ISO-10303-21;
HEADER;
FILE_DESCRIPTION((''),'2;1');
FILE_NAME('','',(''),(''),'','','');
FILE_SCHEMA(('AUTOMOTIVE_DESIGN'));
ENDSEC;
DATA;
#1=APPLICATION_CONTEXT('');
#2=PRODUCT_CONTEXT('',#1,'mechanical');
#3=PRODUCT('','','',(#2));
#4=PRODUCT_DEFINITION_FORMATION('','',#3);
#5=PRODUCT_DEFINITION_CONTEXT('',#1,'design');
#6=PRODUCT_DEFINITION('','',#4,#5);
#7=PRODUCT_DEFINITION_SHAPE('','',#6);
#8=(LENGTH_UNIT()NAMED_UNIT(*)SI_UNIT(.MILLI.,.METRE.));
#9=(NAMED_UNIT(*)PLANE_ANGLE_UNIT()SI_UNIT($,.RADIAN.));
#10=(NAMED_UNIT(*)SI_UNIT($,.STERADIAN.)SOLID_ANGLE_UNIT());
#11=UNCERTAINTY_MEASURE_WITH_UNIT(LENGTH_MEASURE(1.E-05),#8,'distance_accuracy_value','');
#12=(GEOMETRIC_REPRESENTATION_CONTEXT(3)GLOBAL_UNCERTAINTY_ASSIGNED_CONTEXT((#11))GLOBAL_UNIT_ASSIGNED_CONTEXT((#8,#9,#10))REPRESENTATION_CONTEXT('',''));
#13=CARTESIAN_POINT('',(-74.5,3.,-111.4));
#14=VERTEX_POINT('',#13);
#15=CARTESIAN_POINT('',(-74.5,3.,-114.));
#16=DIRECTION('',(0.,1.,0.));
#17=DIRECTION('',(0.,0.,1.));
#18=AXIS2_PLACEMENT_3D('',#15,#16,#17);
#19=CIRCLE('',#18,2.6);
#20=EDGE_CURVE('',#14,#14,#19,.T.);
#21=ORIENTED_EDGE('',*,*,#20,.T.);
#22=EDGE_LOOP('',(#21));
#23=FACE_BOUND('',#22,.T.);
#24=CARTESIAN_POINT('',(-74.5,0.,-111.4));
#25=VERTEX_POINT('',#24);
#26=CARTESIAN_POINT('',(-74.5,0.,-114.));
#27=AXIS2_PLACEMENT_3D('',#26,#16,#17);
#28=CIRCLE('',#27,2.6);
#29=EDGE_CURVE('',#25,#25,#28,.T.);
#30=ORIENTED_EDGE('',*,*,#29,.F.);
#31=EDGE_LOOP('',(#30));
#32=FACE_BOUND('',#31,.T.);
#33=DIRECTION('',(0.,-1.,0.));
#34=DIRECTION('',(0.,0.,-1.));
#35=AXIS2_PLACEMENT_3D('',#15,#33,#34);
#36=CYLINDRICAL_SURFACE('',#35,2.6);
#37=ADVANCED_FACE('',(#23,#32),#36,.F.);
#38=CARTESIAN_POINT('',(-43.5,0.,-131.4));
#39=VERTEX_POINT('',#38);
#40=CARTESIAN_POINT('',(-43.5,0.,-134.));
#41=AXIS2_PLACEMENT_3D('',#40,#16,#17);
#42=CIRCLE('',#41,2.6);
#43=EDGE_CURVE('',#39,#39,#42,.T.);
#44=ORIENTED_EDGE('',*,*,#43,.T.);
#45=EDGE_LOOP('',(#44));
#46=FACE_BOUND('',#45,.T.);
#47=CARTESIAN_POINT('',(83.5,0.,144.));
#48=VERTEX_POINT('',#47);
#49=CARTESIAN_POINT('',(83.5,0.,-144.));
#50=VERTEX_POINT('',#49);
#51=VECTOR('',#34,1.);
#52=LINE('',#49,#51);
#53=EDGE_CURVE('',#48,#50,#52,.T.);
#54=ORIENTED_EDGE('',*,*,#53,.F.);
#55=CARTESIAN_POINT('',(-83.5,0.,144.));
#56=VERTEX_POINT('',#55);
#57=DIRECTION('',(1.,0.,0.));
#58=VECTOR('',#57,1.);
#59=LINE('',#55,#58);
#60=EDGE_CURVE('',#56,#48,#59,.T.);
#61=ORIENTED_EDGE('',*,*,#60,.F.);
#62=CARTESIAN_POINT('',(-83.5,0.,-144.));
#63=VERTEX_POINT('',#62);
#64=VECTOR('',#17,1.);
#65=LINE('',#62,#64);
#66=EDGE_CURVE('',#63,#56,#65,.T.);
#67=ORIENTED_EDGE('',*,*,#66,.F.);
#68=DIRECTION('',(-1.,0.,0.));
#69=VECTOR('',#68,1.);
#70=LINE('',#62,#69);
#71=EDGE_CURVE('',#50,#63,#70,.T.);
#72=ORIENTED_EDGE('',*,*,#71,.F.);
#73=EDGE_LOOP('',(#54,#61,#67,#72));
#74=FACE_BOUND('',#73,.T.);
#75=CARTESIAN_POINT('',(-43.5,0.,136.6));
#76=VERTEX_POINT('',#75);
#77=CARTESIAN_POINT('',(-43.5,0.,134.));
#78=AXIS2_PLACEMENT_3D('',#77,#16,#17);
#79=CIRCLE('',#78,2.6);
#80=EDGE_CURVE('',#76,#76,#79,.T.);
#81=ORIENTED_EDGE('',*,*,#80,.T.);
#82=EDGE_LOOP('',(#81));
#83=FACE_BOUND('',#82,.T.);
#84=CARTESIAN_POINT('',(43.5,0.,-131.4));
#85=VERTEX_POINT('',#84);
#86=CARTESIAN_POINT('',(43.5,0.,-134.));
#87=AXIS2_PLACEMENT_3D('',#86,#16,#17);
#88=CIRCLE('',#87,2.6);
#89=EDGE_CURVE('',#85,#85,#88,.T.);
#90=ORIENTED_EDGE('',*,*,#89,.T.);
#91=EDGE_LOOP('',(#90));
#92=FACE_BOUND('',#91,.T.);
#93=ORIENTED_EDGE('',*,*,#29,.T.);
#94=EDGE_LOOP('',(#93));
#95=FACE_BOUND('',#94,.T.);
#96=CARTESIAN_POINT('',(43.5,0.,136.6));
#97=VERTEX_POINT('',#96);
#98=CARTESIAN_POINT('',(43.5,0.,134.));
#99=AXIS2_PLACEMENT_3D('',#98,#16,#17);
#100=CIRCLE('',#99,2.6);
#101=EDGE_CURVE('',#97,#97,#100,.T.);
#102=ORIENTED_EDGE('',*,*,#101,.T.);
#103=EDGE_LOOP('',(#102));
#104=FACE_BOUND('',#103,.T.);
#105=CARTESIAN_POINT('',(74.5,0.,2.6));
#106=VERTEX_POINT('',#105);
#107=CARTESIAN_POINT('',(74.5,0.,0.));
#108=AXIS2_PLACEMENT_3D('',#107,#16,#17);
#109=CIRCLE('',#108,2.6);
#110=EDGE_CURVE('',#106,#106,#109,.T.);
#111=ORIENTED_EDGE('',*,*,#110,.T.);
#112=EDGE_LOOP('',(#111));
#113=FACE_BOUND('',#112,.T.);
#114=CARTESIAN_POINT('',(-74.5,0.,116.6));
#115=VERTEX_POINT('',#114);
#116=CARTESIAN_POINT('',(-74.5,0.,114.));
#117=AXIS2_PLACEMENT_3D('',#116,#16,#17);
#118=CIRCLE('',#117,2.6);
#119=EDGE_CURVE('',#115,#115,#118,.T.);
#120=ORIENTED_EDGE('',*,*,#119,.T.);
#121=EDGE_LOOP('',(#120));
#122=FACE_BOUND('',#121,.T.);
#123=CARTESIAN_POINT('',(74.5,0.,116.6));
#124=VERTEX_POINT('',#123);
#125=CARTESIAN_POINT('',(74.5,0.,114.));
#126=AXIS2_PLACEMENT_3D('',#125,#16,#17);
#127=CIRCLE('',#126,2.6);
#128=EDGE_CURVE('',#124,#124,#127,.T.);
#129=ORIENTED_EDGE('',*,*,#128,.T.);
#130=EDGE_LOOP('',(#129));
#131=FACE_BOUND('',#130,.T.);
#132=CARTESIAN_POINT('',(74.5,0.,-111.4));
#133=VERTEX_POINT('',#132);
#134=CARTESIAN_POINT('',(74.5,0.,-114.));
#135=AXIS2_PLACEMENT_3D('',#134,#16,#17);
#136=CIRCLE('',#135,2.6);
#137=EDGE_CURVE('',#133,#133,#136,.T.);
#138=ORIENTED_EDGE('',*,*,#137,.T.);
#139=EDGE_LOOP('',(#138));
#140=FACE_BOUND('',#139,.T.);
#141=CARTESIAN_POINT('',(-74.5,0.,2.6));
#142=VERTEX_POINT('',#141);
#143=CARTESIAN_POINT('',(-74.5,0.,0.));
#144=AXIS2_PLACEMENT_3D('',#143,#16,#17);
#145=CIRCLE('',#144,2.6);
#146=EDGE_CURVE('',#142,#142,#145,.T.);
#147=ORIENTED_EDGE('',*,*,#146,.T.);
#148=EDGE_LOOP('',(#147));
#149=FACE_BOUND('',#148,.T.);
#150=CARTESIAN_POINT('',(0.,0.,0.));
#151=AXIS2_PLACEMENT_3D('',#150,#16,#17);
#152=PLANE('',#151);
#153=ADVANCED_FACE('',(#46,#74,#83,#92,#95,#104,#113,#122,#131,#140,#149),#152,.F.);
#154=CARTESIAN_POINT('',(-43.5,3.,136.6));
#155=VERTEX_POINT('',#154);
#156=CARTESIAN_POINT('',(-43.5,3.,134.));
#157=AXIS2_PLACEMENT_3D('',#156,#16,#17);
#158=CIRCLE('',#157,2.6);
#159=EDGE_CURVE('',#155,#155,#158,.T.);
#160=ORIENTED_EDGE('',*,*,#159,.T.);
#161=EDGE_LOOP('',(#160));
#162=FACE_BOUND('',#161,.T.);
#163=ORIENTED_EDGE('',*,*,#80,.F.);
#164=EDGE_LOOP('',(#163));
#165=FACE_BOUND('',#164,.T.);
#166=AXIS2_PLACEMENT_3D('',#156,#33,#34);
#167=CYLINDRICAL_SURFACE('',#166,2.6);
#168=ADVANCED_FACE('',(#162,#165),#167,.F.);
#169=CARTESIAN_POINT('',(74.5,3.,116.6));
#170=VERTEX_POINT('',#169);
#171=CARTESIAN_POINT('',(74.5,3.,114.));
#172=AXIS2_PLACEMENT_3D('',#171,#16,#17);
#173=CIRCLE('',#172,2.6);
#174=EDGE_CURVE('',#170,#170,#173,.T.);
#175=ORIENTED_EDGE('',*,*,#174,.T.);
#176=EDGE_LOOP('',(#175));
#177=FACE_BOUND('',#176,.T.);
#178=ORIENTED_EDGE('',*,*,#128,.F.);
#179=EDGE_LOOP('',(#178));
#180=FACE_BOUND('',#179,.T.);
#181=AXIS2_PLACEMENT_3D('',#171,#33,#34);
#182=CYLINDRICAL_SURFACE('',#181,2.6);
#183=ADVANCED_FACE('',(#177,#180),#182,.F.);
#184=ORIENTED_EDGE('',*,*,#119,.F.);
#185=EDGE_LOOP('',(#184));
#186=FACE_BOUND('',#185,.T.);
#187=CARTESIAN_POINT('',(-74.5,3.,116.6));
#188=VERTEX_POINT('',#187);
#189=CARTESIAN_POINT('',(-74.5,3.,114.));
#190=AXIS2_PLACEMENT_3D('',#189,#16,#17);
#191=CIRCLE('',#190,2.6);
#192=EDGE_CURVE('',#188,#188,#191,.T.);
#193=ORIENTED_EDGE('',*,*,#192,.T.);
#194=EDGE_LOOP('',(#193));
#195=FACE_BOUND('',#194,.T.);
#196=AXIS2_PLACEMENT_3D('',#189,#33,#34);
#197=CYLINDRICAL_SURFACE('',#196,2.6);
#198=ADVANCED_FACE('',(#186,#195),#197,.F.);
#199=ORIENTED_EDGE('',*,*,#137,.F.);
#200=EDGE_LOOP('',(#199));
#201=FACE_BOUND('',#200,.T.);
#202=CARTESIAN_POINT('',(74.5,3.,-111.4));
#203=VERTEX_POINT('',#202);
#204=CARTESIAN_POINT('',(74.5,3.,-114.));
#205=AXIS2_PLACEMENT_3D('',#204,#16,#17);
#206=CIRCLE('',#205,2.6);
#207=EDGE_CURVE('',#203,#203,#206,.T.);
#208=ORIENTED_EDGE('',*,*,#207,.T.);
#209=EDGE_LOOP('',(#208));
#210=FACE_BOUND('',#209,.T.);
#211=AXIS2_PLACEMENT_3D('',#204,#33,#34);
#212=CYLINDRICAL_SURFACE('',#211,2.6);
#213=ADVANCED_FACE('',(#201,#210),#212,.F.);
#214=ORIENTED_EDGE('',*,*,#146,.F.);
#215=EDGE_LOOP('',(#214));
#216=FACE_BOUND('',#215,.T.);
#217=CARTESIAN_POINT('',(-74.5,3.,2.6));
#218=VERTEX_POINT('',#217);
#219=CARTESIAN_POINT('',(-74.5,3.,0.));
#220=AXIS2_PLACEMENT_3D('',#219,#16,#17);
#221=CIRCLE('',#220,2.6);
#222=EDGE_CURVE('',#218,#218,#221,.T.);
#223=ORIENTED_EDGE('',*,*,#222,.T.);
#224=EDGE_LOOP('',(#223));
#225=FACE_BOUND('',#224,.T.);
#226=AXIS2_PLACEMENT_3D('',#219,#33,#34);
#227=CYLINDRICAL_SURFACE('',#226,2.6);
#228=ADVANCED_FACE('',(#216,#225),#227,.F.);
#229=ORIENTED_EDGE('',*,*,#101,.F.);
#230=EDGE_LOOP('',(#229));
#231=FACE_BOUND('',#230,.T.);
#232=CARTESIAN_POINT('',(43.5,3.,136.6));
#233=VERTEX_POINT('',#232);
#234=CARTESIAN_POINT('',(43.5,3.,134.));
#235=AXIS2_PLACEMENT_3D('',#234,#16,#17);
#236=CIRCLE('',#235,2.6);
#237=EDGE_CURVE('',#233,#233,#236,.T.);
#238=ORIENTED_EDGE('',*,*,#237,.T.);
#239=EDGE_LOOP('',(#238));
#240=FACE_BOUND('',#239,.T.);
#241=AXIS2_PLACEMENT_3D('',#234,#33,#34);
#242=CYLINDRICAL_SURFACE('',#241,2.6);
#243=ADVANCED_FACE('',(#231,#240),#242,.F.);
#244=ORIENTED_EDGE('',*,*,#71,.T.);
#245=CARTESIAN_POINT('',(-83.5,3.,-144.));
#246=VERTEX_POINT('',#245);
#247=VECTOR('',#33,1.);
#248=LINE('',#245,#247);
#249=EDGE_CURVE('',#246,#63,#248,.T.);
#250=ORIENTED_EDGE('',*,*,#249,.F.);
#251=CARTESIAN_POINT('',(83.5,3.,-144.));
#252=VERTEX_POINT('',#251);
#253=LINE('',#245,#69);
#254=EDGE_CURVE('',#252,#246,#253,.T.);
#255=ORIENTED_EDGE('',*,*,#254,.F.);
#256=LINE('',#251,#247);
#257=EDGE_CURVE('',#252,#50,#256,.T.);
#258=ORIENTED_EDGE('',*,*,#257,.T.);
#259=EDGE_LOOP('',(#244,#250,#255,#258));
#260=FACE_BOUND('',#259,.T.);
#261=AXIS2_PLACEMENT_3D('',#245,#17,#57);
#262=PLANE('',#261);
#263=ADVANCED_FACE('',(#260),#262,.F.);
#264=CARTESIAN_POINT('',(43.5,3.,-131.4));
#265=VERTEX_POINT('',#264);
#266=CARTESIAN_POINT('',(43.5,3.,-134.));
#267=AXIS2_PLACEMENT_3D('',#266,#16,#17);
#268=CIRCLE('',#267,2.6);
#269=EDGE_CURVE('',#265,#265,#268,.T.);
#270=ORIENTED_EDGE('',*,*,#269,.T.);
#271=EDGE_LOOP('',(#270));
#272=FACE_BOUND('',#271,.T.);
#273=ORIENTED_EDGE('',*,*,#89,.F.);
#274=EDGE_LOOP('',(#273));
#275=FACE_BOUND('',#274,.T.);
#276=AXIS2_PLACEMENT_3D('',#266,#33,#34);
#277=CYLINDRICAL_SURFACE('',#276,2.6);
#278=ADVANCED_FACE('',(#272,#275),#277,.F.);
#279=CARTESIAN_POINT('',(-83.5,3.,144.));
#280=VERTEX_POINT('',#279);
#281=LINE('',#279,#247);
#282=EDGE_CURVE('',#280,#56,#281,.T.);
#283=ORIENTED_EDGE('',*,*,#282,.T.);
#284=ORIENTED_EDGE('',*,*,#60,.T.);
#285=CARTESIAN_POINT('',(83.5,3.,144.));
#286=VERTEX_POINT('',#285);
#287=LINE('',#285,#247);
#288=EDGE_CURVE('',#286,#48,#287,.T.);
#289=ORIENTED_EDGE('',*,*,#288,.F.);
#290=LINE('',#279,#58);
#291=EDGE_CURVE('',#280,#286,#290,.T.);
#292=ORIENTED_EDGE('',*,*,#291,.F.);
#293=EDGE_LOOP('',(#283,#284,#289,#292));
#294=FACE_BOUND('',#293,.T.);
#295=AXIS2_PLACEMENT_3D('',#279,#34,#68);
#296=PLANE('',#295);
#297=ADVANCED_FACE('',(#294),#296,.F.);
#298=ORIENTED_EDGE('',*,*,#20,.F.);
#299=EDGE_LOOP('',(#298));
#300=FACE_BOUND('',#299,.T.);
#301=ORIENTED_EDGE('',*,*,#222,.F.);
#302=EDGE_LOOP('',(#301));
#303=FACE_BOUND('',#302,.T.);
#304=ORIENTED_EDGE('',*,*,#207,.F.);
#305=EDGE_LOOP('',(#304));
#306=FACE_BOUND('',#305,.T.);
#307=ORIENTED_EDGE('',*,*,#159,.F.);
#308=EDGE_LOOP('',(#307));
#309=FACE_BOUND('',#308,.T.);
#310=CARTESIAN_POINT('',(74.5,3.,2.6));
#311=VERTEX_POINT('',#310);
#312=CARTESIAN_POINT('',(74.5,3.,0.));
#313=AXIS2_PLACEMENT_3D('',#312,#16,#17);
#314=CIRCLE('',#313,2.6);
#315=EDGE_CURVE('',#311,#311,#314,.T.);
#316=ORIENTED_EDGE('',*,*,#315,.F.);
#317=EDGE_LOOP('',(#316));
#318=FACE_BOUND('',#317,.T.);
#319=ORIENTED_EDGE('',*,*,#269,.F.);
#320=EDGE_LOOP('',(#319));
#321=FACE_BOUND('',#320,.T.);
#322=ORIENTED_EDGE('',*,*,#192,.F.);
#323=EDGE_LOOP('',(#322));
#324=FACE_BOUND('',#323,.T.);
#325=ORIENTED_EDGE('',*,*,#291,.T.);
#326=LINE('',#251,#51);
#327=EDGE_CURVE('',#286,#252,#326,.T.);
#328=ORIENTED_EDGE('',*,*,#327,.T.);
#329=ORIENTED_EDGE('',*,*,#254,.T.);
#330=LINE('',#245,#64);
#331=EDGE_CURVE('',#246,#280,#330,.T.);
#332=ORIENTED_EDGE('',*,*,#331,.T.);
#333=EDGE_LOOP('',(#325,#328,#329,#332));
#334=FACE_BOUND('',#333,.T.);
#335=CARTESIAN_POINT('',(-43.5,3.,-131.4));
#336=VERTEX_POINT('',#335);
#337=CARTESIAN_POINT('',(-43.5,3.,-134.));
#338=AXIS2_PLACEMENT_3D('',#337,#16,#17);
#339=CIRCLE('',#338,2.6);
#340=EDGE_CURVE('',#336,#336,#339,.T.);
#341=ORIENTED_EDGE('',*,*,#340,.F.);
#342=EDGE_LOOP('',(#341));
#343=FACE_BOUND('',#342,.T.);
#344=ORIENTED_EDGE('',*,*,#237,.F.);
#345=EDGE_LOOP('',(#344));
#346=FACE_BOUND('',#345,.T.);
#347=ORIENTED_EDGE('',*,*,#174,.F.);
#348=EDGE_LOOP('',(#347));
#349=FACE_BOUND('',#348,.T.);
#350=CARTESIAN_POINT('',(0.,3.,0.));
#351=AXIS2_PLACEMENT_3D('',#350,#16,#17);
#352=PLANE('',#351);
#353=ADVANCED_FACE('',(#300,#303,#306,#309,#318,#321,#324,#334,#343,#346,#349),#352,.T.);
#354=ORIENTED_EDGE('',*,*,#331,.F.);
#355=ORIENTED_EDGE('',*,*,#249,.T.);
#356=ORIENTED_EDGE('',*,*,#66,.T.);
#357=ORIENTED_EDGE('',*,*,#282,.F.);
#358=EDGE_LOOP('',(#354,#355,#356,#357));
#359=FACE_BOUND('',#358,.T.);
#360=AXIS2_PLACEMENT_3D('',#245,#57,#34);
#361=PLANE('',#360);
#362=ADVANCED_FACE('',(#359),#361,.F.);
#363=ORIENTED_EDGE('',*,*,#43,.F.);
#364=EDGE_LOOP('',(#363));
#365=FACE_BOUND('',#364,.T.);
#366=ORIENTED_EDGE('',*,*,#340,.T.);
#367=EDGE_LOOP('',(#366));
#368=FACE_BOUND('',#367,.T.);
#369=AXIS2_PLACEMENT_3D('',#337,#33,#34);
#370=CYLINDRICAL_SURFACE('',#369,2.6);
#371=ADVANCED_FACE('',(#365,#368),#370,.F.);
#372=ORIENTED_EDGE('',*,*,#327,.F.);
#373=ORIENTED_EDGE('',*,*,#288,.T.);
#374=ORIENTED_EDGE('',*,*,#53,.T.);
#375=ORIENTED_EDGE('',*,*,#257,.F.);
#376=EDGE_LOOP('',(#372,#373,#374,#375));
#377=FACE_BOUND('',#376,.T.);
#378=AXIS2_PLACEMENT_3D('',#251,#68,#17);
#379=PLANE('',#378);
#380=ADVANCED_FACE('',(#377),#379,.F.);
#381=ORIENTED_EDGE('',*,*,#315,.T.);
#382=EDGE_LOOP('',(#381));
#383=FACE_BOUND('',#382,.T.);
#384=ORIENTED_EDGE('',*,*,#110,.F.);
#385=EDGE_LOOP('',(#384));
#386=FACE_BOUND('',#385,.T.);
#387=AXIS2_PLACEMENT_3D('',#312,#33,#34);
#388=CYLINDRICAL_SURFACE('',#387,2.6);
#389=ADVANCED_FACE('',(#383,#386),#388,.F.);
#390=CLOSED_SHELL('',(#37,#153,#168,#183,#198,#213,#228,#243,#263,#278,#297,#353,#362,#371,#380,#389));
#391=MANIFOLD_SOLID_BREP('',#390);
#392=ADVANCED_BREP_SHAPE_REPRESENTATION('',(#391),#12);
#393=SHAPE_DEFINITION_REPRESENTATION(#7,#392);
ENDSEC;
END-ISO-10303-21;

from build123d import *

# Parameters (mm, degrees)
CROQUIS1_W              = 167
CROQUIS1_H              = 288
CROQUIS1_R              = 2.6
SALIENTE_EXTRUIR1_DEPTH = 3


with BuildPart() as part:
    # Croquis1 → Saliente-Extruir1 (new body)
    with BuildSketch(Plane(origin=(0, 0, 0), x_dir=(1, 0, 0), z_dir=(0, 1, 0))):
        Rectangle(CROQUIS1_W, CROQUIS1_H)
        with Locations(Location((-74.5, 114, 0), (0, 0, 270))):
            Circle(CROQUIS1_R, mode=Mode.SUBTRACT)
        with Locations(Location((-74.5, 0, 0), (0, 0, 270))):
            Circle(CROQUIS1_R, mode=Mode.SUBTRACT)
        with Locations(Location((-74.5, -114, 0), (0, 0, 270))):
            Circle(CROQUIS1_R, mode=Mode.SUBTRACT)
        with Locations(Location((74.5, 114, 0), (0, 0, 270))):
            Circle(CROQUIS1_R, mode=Mode.SUBTRACT)
        with Locations(Location((74.5, -114, 0), (0, 0, 270))):
            Circle(CROQUIS1_R, mode=Mode.SUBTRACT)
        with Locations(Location((74.5, 0, 0), (0, 0, 270))):
            Circle(CROQUIS1_R, mode=Mode.SUBTRACT)
        with Locations(Location((-43.5, 134, 0), (0, 0, 270))):
            Circle(CROQUIS1_R, mode=Mode.SUBTRACT)
        with Locations(Location((43.5, 134, 0), (0, 0, 270))):
            Circle(CROQUIS1_R, mode=Mode.SUBTRACT)
        with Locations(Location((-43.5, -134, 0), (0, 0, 270))):
            Circle(CROQUIS1_R, mode=Mode.SUBTRACT)
        with Locations(Location((43.5, -134, 0), (0, 0, 270))):
            Circle(CROQUIS1_R, mode=Mode.SUBTRACT)
    extrude(amount=SALIENTE_EXTRUIR1_DEPTH)


solid = part.part
